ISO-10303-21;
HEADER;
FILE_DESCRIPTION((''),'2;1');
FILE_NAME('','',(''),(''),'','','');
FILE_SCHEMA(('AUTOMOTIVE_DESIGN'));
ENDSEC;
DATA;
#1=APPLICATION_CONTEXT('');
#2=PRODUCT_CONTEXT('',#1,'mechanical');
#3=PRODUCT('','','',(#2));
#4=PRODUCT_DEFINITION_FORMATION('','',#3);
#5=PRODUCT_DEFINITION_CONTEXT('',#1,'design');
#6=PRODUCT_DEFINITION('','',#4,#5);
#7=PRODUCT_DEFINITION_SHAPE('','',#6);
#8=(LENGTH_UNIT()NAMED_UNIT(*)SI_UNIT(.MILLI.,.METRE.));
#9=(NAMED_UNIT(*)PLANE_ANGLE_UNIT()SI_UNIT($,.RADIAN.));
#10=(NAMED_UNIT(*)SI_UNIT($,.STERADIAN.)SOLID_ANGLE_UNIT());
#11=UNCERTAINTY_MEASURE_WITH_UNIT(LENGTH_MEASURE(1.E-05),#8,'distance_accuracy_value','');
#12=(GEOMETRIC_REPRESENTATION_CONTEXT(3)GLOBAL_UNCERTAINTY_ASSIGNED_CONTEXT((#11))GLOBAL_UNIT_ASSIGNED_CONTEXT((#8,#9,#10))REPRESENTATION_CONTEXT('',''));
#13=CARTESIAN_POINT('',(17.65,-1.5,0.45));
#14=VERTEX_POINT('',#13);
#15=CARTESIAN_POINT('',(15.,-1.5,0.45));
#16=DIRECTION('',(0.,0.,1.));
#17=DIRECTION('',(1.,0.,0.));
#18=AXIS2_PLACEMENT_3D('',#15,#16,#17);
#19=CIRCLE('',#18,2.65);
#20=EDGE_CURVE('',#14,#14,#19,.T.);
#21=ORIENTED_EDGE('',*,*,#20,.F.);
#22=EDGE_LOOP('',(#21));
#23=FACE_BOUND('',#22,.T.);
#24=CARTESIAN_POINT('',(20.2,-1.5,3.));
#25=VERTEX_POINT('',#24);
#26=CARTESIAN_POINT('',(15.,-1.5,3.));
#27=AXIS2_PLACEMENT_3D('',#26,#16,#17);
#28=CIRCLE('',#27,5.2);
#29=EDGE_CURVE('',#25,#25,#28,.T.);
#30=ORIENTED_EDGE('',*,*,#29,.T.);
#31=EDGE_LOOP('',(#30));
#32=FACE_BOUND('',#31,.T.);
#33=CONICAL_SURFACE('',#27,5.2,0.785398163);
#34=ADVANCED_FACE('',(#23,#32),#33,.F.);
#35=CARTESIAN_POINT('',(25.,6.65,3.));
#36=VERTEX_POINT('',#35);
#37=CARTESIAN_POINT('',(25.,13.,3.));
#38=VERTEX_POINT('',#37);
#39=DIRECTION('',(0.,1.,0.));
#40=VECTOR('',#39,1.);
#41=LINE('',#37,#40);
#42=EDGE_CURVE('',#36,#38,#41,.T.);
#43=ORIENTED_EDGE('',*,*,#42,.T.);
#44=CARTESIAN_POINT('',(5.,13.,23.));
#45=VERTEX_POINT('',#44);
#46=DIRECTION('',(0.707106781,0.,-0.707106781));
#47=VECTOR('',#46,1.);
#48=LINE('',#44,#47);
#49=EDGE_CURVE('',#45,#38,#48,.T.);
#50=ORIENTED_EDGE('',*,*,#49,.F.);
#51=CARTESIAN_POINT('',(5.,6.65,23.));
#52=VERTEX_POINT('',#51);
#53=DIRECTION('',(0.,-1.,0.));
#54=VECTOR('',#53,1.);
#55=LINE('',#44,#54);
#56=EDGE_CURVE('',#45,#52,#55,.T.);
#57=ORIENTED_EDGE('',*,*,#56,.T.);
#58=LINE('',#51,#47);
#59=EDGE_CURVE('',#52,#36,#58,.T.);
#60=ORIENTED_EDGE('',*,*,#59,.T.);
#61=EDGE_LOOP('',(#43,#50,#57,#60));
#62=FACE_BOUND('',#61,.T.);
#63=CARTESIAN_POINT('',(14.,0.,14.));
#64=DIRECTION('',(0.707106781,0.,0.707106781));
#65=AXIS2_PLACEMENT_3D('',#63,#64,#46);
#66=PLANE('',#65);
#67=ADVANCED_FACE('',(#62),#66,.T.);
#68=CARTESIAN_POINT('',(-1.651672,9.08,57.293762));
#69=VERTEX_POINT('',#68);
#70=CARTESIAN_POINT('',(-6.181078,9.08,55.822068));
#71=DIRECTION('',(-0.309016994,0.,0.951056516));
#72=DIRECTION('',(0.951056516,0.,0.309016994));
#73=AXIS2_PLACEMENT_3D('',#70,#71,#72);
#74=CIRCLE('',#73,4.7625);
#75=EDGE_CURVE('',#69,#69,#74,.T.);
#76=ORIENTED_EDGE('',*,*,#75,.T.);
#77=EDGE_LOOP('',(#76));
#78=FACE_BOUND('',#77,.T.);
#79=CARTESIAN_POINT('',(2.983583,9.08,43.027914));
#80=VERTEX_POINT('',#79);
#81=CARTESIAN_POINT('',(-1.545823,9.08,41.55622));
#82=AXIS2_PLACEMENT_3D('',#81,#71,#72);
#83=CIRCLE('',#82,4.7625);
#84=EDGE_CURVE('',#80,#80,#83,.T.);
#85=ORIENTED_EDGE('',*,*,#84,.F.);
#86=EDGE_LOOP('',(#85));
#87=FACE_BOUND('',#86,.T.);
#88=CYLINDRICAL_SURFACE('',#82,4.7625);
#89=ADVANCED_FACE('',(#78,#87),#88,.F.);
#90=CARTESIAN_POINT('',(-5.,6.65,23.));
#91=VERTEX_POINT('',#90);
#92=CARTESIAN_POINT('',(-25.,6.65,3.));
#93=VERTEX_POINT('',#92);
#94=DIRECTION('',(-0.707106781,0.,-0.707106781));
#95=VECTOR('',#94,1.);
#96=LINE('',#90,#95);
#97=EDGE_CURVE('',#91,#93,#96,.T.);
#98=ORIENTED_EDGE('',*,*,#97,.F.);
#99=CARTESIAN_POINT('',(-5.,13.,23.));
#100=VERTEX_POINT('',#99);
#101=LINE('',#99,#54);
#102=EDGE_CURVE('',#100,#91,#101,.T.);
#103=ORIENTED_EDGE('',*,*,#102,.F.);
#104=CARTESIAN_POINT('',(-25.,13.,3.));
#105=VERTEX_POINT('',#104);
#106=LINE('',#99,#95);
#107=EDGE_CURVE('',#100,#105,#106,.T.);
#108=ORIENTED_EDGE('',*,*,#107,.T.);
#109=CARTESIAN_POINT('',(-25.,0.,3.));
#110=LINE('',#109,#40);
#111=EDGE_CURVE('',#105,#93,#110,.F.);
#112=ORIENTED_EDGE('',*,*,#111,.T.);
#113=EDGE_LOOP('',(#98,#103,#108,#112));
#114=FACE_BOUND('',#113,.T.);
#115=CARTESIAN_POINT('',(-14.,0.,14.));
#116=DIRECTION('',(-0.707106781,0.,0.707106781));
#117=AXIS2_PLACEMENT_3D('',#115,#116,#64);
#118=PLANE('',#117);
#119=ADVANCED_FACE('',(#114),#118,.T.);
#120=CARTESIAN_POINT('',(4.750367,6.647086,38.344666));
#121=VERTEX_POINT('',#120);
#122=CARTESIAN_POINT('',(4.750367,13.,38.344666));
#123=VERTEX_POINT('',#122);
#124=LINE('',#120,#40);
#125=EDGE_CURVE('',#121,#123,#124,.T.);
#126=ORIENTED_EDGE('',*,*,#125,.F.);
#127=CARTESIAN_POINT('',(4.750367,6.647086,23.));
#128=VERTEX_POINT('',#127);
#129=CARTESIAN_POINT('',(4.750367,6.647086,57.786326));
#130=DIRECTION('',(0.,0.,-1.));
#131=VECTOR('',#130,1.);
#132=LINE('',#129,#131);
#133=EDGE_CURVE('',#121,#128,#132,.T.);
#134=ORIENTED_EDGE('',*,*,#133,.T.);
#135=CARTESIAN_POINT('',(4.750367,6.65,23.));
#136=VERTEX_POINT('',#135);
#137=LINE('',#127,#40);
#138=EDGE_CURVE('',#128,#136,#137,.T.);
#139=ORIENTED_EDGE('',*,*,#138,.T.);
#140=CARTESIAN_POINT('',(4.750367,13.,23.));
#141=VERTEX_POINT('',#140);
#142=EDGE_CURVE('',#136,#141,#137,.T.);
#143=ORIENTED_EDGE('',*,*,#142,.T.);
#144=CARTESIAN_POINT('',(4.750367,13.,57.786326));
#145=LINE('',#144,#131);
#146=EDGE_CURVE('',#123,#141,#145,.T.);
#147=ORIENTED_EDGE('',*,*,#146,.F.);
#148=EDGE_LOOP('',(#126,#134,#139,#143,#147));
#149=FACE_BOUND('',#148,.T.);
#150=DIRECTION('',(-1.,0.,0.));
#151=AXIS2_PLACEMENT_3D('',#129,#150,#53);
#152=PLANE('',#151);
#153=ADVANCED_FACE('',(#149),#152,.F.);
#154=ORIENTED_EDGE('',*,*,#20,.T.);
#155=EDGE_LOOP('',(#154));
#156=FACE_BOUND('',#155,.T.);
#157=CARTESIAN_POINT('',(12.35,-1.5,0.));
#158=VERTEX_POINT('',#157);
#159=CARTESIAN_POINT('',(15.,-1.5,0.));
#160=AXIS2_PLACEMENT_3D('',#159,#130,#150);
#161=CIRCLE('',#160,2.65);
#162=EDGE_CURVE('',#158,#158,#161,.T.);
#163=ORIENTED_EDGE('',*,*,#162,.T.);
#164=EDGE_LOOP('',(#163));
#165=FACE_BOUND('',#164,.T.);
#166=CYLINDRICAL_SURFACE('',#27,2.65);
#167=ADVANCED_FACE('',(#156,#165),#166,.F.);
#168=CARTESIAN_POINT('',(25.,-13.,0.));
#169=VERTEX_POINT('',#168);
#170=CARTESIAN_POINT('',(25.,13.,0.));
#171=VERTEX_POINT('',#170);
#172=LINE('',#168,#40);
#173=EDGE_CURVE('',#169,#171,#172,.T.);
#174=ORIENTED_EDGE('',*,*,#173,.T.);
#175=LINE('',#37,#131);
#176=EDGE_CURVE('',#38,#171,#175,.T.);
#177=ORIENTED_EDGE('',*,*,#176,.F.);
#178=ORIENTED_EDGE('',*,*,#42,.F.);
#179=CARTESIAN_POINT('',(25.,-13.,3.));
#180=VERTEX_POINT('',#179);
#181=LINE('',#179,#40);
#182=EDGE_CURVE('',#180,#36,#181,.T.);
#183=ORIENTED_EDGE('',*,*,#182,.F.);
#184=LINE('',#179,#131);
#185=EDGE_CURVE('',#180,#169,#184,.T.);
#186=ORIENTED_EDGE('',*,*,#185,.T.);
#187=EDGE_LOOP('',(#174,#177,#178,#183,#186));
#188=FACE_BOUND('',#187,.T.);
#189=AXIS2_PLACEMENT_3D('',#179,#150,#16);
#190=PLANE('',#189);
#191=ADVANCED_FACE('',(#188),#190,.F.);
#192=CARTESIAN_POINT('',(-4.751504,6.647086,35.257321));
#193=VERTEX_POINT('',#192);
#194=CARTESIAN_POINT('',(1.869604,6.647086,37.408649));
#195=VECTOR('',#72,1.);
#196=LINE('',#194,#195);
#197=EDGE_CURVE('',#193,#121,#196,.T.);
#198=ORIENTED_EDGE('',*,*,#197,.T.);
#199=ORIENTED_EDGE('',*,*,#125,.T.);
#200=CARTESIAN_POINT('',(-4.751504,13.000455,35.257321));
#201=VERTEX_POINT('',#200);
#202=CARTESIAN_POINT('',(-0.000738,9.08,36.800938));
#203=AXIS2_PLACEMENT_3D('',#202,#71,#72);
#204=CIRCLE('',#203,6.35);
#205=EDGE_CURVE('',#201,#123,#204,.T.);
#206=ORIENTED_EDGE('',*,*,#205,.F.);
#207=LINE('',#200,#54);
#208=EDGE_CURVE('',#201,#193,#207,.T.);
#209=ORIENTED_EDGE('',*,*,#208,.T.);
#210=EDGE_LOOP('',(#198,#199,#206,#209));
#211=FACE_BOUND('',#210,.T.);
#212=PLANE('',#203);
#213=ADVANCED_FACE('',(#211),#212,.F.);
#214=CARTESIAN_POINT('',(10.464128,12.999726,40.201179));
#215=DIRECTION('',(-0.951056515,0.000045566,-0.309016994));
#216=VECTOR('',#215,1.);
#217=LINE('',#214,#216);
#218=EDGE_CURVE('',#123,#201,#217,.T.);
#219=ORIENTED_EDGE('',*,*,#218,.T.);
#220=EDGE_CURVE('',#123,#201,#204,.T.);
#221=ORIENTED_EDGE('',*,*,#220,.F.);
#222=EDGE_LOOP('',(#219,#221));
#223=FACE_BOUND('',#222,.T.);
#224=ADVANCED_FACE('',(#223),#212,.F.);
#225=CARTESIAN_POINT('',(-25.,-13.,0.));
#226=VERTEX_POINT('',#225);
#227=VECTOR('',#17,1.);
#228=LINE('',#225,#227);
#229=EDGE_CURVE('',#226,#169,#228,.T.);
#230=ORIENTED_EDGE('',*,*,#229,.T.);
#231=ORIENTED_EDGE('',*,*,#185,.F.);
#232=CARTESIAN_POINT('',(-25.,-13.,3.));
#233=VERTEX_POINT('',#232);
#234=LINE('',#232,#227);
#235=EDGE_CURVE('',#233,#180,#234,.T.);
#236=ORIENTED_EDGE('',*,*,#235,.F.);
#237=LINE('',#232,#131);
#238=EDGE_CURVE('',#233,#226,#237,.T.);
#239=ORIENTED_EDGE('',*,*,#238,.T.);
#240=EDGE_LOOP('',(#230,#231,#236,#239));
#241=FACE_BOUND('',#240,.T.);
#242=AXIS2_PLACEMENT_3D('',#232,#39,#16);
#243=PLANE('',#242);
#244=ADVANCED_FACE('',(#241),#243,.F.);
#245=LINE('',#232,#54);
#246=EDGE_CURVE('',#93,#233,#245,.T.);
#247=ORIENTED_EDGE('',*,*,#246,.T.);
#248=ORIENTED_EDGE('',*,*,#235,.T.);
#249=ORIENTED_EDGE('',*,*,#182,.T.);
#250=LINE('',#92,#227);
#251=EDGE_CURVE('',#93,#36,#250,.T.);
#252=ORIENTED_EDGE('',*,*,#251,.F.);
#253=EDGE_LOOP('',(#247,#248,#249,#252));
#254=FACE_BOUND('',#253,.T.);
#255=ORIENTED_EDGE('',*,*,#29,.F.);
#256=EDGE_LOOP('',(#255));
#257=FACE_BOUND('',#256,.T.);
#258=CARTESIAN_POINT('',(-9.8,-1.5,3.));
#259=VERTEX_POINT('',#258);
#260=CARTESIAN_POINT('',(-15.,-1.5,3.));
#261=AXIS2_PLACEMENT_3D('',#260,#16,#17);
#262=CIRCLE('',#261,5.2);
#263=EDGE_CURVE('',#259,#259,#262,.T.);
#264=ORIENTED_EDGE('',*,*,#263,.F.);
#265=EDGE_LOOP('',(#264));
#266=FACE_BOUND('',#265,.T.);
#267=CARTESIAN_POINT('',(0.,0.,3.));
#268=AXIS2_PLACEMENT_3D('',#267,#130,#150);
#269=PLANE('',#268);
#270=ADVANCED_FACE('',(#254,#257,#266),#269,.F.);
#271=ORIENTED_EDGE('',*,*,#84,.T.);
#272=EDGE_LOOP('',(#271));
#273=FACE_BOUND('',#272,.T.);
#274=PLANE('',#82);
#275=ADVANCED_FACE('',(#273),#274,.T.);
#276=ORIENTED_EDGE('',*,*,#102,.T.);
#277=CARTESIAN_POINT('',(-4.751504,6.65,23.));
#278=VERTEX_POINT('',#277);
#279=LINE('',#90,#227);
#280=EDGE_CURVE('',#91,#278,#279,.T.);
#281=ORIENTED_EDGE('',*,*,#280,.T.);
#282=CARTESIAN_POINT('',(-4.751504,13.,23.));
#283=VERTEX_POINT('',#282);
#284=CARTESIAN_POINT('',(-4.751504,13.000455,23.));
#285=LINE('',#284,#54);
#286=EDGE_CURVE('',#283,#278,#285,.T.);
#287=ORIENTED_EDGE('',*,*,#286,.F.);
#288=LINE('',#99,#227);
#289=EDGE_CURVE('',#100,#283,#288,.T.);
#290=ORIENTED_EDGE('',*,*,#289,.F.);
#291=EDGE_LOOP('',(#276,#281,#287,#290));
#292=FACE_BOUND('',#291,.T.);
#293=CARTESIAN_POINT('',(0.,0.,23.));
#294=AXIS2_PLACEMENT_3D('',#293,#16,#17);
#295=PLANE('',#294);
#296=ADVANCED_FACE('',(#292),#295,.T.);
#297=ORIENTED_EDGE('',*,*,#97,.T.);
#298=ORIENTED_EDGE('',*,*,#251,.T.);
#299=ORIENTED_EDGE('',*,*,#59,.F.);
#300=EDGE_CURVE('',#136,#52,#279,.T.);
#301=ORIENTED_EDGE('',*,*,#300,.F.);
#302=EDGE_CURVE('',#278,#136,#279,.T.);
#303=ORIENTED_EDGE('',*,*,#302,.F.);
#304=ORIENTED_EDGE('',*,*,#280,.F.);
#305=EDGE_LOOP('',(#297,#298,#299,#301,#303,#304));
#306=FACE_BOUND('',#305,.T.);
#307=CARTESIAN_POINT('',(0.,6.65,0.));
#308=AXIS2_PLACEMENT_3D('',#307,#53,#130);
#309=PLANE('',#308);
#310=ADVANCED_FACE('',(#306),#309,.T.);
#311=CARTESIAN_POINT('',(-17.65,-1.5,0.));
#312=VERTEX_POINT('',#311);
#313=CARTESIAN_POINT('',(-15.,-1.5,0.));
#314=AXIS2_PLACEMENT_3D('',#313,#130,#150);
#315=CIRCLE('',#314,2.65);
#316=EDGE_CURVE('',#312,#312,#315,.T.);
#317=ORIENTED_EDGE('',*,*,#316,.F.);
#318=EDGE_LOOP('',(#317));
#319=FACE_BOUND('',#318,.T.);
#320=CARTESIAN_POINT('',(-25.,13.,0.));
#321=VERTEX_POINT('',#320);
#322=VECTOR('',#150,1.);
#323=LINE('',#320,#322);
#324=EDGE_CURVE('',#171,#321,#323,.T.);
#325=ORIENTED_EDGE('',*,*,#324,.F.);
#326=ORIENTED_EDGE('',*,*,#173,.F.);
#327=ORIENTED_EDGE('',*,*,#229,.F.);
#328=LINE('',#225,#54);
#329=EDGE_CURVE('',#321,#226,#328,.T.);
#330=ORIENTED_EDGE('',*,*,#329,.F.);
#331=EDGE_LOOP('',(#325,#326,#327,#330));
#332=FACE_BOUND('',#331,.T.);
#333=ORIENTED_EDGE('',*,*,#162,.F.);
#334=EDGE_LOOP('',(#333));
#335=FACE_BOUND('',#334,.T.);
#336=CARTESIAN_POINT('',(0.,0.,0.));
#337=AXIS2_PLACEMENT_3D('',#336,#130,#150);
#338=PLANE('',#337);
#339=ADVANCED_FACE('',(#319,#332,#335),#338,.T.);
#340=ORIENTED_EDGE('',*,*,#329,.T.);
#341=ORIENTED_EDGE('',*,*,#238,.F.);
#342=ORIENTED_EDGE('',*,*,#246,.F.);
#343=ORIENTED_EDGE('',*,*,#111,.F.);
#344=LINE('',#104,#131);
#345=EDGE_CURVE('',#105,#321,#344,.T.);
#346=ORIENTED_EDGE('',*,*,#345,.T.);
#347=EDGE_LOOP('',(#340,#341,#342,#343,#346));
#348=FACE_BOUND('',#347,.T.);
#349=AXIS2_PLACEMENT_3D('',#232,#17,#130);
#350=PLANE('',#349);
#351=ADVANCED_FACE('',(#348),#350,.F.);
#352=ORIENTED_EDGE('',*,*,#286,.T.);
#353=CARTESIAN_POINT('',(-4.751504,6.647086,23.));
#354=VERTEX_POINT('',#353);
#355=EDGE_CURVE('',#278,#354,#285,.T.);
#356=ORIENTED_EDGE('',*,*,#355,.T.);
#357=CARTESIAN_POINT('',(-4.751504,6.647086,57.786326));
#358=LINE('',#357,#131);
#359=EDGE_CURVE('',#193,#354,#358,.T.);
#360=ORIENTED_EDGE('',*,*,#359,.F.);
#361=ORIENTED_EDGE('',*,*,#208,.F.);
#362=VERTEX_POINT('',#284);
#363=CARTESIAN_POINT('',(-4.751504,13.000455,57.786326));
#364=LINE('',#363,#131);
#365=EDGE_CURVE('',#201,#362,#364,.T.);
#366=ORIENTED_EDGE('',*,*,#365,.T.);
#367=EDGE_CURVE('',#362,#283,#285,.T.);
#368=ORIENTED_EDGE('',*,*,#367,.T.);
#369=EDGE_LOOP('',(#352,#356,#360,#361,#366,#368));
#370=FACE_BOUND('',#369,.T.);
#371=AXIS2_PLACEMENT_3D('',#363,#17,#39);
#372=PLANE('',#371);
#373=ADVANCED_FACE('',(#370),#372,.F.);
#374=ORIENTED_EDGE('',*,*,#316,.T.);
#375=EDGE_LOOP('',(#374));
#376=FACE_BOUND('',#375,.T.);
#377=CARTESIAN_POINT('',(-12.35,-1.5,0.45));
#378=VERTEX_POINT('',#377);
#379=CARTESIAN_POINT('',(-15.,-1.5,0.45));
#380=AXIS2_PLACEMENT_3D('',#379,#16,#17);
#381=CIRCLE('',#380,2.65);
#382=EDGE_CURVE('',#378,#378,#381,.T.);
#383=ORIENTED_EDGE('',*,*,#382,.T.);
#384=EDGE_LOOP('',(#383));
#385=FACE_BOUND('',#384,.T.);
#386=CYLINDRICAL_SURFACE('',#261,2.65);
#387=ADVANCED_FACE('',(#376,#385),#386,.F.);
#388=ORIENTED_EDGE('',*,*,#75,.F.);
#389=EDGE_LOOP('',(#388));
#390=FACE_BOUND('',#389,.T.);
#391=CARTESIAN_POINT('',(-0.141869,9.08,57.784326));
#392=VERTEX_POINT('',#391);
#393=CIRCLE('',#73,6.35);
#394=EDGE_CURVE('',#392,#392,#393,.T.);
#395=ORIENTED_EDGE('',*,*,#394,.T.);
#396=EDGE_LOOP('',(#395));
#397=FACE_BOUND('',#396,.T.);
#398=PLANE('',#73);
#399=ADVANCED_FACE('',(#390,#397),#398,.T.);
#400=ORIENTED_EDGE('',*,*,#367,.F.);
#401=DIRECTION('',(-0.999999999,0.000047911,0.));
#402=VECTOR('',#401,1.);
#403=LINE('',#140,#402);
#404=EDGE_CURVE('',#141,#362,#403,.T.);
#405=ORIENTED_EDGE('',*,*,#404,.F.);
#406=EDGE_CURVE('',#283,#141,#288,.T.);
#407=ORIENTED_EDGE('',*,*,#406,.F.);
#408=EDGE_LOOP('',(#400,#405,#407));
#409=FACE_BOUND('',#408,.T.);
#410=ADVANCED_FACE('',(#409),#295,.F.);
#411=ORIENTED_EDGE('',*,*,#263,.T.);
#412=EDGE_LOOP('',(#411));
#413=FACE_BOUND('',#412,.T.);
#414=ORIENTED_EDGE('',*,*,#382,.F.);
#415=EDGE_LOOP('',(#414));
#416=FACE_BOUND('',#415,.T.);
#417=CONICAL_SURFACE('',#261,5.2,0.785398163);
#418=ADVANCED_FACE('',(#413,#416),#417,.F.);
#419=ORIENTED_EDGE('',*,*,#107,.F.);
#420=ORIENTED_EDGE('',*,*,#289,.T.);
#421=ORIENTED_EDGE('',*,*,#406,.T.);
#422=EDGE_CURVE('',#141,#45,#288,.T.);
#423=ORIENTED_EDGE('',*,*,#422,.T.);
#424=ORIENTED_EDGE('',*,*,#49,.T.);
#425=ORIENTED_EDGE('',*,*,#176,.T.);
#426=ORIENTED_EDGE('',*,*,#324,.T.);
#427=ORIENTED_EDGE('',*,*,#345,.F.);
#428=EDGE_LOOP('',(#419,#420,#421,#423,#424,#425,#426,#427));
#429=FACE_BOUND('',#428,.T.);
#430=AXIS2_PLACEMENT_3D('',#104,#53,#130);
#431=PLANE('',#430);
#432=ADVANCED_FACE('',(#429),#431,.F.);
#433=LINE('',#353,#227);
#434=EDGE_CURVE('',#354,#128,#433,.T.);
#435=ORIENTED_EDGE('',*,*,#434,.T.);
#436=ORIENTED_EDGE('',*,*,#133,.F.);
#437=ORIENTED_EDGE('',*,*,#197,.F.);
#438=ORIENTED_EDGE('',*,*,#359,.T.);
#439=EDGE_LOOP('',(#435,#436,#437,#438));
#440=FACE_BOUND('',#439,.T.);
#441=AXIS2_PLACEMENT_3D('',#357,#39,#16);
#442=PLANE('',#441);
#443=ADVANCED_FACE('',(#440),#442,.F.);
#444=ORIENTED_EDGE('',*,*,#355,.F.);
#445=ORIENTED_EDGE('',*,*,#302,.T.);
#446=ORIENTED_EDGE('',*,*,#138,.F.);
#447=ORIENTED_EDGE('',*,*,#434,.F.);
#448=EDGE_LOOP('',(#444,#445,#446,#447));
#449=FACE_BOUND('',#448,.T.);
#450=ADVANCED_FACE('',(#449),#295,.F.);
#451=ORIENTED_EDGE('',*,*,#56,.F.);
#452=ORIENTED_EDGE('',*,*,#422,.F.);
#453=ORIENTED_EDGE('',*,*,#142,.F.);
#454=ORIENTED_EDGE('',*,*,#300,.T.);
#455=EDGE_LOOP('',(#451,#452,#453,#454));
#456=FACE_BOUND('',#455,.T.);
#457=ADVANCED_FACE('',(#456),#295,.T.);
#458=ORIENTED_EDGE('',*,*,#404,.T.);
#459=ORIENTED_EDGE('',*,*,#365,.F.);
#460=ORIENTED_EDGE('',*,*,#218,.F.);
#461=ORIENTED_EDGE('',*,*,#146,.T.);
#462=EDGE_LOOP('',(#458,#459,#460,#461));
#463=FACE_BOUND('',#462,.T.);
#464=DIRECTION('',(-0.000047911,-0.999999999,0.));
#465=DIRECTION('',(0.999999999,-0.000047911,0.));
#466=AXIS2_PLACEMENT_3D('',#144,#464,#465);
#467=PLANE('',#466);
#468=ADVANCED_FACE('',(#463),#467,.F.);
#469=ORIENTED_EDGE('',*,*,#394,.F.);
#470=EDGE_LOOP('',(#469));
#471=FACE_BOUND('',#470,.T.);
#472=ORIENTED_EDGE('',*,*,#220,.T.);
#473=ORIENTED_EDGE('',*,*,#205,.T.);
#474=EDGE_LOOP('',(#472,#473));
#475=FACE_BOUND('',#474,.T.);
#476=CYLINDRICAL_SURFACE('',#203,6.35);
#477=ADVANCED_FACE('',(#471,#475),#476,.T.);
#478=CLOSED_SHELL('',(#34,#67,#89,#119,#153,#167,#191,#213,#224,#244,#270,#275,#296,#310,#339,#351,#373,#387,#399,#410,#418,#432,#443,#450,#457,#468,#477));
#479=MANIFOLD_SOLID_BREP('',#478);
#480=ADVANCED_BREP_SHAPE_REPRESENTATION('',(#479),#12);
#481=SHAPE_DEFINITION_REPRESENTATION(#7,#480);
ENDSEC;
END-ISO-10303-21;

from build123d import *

# Parameters (mm, degrees)
BASE_W                                          = 50
BASE_H                                          = 26
BOSS_EXTRUDE2_DEPTH                             = 3
SKETCH2_R                                       = 6.35
BOSS_EXTRUDE1_DEPTH                             = 20
SKETCH7_R                                       = 4.7625
CUT_EXTRUDE1_DEPTH                              = 15
BOSS_EXTRUDE8_REACH                             = 47.531
CSK_FOR_M5_FLAT_HEAD_MACHINE_SCREW2_D           = 5.3
CSK_FOR_M5_FLAT_HEAD_MACHINE_SCREW2_DEPTH       = 10
CSK_FOR_M5_FLAT_HEAD_MACHINE_SCREW2_CSINK_D     = 10.4
CSK_FOR_M5_FLAT_HEAD_MACHINE_SCREW2_CSINK_ANGLE = 90
CSK_FOR_M5_FLAT_HEAD_MACHINE_SCREW2_TIP         = 1.59228064


with BuildPart() as part:
    # Base → Boss-Extrude2 (new body)
    with BuildSketch(Plane.XY):
        Rectangle(BASE_W, BASE_H)
    extrude(amount=BOSS_EXTRUDE2_DEPTH)

    # Sketch6 → Loft2 section 0
    with BuildSketch(Plane.XY.offset(23)):
        with BuildLine():
            Line((-5, 13), (5, 13))
            Line((5, 13), (5, 6.65))
            Line((5, 6.65), (-5, 6.65))
            Line((-5, 6.65), (-5, 13))
        make_face()
    # Sketch5 → Loft2 section 1
    with BuildSketch(Plane.XY.offset(3)):
        with BuildLine():
            Line((-25, 13), (25, 13))
            Line((25, 13), (25, 6.65))
            Line((25, 6.65), (-25, 6.65))
            Line((-25, 6.65), (-25, 13))
        make_face()
    loft()



with BuildPart() as body_2:
    # Sketch2 → Boss-Extrude1 (new body)
    with BuildSketch(Plane(origin=(-16.995934691, 0, 52.308108396), x_dir=(0.9510565162951523, 0, 0.3090169943749514), z_dir=(-0.3090169943749514, 0, 0.9510565162951523))):
        with Locations((11.371412907, 9.08)):
            Circle(SKETCH2_R)
    extrude(amount=-BOSS_EXTRUDE1_DEPTH)

    # Sketch7 → Cut-Extrude1 (cut)
    with BuildSketch(Plane(origin=(-16.995934691, 0, 52.308108396), x_dir=(0.9510565162951523, 0, 0.3090169943749514), z_dir=(-0.3090169943749514, 0, 0.9510565162951523))):
        with Locations((11.371412907, 9.08)):
            Circle(SKETCH7_R)
    extrude(amount=-CUT_EXTRUDE1_DEPTH, mode=Mode.SUBTRACT)


with BuildPart() as part_1:
    add(part.part)

    add(body_2.part)  # Boss-Extrude8 merges body 2
    # Boss-Extrude8: up to this plane
    boss_extrude8_end = Plane(origin=(-0.000738458, 9.08, 36.800937909), z_dir=(-0.3090169943749514, 0, 0.9510565162951523))
    # Sketch17 → Boss-Extrude8 (add, up to the surface)
    with BuildSketch(Plane.XY.offset(23), mode=Mode.PRIVATE) as boss_extrude8_sk1:
        Polygon((-4.751504294, 13.000455244), (-4.751504294, 6.647086382), (4.750367151, 6.647086382), (4.750367151, 13), align=None)
    boss_extrude8_tool1 = split(extrude(boss_extrude8_sk1.sketch, amount=BOSS_EXTRUDE8_REACH, mode=Mode.PRIVATE), bisect_by=boss_extrude8_end, keep=Keep.BOTH, mode=Mode.PRIVATE)
    add(boss_extrude8_tool1.solids().sort_by_distance((-0.000625, 9.823657, 23))[0])

    # CSK for M5 Flat Head Machine Screw2
    with Locations(Plane.XY.offset(3)):
        with Locations((-15, -1.5), (15, -1.5)):
            CounterSinkHole(CSK_FOR_M5_FLAT_HEAD_MACHINE_SCREW2_D / 2, CSK_FOR_M5_FLAT_HEAD_MACHINE_SCREW2_CSINK_D / 2, depth=CSK_FOR_M5_FLAT_HEAD_MACHINE_SCREW2_DEPTH, counter_sink_angle=CSK_FOR_M5_FLAT_HEAD_MACHINE_SCREW2_CSINK_ANGLE)
            with Locations((0, 0, -(CSK_FOR_M5_FLAT_HEAD_MACHINE_SCREW2_DEPTH + CSK_FOR_M5_FLAT_HEAD_MACHINE_SCREW2_TIP / 2))):  # 118° drill point
                Cone(0, CSK_FOR_M5_FLAT_HEAD_MACHINE_SCREW2_D / 2, CSK_FOR_M5_FLAT_HEAD_MACHINE_SCREW2_TIP, mode=Mode.SUBTRACT)


solid = part_1.part
